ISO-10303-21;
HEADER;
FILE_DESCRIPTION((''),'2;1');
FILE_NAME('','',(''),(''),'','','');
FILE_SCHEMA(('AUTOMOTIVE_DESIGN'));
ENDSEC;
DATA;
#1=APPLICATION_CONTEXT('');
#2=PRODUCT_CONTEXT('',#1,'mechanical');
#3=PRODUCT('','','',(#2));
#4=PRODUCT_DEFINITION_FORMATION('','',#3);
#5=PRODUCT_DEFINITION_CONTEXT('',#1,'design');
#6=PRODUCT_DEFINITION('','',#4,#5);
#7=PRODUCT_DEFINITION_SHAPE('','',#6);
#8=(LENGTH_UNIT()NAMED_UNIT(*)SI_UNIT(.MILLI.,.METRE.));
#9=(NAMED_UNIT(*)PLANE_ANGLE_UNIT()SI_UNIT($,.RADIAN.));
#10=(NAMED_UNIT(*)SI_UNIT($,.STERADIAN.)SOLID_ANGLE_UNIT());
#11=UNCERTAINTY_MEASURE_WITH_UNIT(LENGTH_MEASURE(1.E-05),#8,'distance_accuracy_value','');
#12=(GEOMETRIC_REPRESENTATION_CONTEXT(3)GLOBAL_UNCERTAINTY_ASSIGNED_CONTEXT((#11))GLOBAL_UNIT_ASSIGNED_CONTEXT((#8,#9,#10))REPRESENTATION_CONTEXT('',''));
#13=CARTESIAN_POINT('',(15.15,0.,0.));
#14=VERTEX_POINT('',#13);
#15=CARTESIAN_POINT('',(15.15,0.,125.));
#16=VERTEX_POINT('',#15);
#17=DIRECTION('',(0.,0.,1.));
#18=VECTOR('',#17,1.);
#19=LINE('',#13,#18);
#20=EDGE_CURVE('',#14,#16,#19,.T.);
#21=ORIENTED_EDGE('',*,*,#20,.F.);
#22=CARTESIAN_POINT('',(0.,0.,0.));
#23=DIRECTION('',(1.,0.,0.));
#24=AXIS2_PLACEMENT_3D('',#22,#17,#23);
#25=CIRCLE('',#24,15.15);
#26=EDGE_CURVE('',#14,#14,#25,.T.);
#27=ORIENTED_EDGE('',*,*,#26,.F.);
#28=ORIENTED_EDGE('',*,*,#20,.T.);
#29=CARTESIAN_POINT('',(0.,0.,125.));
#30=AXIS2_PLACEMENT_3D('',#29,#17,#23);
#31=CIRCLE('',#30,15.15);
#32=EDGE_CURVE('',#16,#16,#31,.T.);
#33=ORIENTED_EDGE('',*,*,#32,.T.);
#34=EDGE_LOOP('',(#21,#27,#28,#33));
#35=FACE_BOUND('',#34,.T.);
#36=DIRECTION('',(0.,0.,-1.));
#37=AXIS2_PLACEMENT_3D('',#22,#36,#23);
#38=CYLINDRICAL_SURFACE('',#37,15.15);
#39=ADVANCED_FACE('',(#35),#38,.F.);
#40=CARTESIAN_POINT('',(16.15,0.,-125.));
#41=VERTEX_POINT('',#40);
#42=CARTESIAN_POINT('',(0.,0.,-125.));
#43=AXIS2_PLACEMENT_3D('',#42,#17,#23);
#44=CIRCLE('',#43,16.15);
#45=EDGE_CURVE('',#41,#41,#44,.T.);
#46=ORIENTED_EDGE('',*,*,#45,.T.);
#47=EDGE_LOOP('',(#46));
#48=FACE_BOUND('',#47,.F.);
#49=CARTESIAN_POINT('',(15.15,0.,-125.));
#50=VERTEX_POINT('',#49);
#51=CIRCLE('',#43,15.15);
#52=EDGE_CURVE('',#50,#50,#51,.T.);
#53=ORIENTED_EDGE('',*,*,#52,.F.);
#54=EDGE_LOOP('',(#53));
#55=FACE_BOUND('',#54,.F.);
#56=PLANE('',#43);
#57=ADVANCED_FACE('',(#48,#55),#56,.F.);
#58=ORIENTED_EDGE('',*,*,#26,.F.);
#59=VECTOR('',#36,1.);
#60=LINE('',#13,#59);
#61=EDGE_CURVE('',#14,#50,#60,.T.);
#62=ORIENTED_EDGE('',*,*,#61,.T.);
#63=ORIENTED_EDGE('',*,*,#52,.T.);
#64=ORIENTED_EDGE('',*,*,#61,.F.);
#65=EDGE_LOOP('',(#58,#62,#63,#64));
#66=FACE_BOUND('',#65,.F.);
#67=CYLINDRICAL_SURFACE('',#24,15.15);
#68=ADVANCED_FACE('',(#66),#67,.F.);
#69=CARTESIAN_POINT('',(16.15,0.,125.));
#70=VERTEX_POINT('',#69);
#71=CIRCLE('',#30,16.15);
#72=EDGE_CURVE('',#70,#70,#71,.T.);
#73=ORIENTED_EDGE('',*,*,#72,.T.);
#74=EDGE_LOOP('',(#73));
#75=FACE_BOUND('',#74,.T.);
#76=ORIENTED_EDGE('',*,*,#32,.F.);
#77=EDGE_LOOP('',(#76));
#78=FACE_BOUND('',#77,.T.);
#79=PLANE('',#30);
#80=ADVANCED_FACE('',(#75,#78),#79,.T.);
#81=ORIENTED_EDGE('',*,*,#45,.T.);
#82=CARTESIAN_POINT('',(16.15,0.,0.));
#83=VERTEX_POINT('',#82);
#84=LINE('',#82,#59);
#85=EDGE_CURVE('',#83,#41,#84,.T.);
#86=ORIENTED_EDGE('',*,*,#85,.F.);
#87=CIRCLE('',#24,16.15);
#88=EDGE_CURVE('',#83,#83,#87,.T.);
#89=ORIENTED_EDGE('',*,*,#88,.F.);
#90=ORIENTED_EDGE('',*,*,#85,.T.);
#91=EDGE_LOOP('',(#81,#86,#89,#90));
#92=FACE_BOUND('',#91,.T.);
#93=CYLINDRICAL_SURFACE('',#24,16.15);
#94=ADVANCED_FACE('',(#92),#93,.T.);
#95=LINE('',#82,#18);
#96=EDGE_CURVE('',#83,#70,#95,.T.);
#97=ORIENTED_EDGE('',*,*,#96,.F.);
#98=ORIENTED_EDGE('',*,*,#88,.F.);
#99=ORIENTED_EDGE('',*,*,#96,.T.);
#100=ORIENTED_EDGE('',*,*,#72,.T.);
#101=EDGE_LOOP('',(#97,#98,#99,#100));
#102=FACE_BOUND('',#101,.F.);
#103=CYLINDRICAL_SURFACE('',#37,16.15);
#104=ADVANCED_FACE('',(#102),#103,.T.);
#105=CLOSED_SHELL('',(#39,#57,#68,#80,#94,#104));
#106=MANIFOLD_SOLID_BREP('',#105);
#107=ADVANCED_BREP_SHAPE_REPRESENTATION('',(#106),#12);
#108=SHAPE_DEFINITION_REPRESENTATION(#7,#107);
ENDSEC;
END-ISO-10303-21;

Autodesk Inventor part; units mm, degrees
ref_plane "YZ Plane" through (0, 0, 0) normal (1, 0, 0) x (0, 1, 0)
ref_plane "XZ Plane" through (0, 0, 0) normal (0, 1, 0) x (-1, 0, 0)
ref_plane "XY Plane" through (0, 0, 0) normal (0, 0, 1) x (1, 0, 0)
sketch "Sketch1" plane through (0, 0, 0) normal (0, 0, 1) x (1, 0, 0)
  circle A0 centre (0, 0) radius 15.15
  circle A1 centre (0, 0) radius 16.15
  dimension "d0" = 32.3
  dimension "d4" = 1
extrude "Extrusion1" add sketch "Sketch1" along normal mid plane 250
properties part number "tube_25cm"
